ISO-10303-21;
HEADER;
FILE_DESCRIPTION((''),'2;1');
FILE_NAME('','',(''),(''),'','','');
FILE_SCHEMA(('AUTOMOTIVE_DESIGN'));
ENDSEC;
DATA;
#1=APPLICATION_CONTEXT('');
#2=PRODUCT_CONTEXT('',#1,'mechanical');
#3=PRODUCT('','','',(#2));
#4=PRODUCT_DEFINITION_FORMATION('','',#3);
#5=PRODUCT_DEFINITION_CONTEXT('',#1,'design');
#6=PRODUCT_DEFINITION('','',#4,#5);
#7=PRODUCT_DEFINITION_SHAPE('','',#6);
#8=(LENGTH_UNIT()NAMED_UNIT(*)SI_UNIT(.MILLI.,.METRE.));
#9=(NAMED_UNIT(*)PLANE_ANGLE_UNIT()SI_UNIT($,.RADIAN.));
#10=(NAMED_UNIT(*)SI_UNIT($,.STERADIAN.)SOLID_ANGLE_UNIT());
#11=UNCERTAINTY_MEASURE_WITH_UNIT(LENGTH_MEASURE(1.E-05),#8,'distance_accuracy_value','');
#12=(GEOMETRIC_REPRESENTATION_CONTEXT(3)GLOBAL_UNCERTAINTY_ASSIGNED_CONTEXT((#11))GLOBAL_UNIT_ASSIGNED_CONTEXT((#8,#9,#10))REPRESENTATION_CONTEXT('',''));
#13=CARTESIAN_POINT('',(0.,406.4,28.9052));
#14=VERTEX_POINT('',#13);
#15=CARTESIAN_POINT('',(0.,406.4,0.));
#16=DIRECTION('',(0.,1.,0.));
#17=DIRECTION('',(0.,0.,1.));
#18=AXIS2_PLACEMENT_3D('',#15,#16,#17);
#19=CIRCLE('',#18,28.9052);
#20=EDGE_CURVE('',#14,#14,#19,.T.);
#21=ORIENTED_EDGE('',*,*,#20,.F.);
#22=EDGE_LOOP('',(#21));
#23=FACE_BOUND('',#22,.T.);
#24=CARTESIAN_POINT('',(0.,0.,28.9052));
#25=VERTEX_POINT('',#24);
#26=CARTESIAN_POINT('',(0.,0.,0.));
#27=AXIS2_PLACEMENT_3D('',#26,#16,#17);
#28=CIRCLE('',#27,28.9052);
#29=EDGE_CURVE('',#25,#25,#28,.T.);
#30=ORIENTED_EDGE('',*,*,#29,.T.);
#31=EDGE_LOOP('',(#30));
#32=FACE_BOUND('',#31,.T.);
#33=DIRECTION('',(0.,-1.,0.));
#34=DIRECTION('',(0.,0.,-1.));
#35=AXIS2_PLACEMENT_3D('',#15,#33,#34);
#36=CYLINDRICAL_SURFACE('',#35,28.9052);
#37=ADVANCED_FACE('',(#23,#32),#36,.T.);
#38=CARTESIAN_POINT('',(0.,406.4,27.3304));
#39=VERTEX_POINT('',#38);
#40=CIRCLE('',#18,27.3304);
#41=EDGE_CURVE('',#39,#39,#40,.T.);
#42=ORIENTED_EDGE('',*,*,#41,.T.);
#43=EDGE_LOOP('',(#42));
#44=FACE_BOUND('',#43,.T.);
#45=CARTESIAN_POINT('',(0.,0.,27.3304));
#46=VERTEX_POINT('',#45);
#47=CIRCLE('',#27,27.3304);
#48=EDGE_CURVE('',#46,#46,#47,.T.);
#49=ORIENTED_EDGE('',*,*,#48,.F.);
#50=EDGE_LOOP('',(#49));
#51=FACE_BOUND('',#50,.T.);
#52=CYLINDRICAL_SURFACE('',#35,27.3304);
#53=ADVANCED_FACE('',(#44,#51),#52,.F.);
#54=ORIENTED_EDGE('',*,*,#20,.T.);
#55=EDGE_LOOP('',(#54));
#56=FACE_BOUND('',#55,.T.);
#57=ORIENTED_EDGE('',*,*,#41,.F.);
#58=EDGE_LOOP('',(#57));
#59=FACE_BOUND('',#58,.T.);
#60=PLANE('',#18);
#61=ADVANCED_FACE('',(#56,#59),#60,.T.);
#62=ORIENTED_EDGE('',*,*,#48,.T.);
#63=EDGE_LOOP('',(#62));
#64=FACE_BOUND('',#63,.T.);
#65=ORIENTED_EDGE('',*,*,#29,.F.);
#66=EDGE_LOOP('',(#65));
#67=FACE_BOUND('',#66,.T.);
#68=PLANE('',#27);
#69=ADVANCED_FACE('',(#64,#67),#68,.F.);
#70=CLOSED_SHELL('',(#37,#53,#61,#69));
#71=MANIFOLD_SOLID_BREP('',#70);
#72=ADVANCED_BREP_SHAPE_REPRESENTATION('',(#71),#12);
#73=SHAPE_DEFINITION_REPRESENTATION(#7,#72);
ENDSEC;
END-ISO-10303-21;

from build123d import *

# Parameters (mm, degrees)
SKETCH2_R           = 28.9052
SKETCH2_R_2         = 27.3304
BOSS_EXTRUDE1_DEPTH = 406.4


with BuildPart() as part:
    # Sketch2 → Boss-Extrude1 (new body)
    with BuildSketch(Plane(origin=(0, 0, 0), x_dir=(1, 0, 0), z_dir=(0, 1, 0))):
        Circle(SKETCH2_R)
        Circle(SKETCH2_R_2, mode=Mode.SUBTRACT)
    extrude(amount=BOSS_EXTRUDE1_DEPTH)


solid = part.part
